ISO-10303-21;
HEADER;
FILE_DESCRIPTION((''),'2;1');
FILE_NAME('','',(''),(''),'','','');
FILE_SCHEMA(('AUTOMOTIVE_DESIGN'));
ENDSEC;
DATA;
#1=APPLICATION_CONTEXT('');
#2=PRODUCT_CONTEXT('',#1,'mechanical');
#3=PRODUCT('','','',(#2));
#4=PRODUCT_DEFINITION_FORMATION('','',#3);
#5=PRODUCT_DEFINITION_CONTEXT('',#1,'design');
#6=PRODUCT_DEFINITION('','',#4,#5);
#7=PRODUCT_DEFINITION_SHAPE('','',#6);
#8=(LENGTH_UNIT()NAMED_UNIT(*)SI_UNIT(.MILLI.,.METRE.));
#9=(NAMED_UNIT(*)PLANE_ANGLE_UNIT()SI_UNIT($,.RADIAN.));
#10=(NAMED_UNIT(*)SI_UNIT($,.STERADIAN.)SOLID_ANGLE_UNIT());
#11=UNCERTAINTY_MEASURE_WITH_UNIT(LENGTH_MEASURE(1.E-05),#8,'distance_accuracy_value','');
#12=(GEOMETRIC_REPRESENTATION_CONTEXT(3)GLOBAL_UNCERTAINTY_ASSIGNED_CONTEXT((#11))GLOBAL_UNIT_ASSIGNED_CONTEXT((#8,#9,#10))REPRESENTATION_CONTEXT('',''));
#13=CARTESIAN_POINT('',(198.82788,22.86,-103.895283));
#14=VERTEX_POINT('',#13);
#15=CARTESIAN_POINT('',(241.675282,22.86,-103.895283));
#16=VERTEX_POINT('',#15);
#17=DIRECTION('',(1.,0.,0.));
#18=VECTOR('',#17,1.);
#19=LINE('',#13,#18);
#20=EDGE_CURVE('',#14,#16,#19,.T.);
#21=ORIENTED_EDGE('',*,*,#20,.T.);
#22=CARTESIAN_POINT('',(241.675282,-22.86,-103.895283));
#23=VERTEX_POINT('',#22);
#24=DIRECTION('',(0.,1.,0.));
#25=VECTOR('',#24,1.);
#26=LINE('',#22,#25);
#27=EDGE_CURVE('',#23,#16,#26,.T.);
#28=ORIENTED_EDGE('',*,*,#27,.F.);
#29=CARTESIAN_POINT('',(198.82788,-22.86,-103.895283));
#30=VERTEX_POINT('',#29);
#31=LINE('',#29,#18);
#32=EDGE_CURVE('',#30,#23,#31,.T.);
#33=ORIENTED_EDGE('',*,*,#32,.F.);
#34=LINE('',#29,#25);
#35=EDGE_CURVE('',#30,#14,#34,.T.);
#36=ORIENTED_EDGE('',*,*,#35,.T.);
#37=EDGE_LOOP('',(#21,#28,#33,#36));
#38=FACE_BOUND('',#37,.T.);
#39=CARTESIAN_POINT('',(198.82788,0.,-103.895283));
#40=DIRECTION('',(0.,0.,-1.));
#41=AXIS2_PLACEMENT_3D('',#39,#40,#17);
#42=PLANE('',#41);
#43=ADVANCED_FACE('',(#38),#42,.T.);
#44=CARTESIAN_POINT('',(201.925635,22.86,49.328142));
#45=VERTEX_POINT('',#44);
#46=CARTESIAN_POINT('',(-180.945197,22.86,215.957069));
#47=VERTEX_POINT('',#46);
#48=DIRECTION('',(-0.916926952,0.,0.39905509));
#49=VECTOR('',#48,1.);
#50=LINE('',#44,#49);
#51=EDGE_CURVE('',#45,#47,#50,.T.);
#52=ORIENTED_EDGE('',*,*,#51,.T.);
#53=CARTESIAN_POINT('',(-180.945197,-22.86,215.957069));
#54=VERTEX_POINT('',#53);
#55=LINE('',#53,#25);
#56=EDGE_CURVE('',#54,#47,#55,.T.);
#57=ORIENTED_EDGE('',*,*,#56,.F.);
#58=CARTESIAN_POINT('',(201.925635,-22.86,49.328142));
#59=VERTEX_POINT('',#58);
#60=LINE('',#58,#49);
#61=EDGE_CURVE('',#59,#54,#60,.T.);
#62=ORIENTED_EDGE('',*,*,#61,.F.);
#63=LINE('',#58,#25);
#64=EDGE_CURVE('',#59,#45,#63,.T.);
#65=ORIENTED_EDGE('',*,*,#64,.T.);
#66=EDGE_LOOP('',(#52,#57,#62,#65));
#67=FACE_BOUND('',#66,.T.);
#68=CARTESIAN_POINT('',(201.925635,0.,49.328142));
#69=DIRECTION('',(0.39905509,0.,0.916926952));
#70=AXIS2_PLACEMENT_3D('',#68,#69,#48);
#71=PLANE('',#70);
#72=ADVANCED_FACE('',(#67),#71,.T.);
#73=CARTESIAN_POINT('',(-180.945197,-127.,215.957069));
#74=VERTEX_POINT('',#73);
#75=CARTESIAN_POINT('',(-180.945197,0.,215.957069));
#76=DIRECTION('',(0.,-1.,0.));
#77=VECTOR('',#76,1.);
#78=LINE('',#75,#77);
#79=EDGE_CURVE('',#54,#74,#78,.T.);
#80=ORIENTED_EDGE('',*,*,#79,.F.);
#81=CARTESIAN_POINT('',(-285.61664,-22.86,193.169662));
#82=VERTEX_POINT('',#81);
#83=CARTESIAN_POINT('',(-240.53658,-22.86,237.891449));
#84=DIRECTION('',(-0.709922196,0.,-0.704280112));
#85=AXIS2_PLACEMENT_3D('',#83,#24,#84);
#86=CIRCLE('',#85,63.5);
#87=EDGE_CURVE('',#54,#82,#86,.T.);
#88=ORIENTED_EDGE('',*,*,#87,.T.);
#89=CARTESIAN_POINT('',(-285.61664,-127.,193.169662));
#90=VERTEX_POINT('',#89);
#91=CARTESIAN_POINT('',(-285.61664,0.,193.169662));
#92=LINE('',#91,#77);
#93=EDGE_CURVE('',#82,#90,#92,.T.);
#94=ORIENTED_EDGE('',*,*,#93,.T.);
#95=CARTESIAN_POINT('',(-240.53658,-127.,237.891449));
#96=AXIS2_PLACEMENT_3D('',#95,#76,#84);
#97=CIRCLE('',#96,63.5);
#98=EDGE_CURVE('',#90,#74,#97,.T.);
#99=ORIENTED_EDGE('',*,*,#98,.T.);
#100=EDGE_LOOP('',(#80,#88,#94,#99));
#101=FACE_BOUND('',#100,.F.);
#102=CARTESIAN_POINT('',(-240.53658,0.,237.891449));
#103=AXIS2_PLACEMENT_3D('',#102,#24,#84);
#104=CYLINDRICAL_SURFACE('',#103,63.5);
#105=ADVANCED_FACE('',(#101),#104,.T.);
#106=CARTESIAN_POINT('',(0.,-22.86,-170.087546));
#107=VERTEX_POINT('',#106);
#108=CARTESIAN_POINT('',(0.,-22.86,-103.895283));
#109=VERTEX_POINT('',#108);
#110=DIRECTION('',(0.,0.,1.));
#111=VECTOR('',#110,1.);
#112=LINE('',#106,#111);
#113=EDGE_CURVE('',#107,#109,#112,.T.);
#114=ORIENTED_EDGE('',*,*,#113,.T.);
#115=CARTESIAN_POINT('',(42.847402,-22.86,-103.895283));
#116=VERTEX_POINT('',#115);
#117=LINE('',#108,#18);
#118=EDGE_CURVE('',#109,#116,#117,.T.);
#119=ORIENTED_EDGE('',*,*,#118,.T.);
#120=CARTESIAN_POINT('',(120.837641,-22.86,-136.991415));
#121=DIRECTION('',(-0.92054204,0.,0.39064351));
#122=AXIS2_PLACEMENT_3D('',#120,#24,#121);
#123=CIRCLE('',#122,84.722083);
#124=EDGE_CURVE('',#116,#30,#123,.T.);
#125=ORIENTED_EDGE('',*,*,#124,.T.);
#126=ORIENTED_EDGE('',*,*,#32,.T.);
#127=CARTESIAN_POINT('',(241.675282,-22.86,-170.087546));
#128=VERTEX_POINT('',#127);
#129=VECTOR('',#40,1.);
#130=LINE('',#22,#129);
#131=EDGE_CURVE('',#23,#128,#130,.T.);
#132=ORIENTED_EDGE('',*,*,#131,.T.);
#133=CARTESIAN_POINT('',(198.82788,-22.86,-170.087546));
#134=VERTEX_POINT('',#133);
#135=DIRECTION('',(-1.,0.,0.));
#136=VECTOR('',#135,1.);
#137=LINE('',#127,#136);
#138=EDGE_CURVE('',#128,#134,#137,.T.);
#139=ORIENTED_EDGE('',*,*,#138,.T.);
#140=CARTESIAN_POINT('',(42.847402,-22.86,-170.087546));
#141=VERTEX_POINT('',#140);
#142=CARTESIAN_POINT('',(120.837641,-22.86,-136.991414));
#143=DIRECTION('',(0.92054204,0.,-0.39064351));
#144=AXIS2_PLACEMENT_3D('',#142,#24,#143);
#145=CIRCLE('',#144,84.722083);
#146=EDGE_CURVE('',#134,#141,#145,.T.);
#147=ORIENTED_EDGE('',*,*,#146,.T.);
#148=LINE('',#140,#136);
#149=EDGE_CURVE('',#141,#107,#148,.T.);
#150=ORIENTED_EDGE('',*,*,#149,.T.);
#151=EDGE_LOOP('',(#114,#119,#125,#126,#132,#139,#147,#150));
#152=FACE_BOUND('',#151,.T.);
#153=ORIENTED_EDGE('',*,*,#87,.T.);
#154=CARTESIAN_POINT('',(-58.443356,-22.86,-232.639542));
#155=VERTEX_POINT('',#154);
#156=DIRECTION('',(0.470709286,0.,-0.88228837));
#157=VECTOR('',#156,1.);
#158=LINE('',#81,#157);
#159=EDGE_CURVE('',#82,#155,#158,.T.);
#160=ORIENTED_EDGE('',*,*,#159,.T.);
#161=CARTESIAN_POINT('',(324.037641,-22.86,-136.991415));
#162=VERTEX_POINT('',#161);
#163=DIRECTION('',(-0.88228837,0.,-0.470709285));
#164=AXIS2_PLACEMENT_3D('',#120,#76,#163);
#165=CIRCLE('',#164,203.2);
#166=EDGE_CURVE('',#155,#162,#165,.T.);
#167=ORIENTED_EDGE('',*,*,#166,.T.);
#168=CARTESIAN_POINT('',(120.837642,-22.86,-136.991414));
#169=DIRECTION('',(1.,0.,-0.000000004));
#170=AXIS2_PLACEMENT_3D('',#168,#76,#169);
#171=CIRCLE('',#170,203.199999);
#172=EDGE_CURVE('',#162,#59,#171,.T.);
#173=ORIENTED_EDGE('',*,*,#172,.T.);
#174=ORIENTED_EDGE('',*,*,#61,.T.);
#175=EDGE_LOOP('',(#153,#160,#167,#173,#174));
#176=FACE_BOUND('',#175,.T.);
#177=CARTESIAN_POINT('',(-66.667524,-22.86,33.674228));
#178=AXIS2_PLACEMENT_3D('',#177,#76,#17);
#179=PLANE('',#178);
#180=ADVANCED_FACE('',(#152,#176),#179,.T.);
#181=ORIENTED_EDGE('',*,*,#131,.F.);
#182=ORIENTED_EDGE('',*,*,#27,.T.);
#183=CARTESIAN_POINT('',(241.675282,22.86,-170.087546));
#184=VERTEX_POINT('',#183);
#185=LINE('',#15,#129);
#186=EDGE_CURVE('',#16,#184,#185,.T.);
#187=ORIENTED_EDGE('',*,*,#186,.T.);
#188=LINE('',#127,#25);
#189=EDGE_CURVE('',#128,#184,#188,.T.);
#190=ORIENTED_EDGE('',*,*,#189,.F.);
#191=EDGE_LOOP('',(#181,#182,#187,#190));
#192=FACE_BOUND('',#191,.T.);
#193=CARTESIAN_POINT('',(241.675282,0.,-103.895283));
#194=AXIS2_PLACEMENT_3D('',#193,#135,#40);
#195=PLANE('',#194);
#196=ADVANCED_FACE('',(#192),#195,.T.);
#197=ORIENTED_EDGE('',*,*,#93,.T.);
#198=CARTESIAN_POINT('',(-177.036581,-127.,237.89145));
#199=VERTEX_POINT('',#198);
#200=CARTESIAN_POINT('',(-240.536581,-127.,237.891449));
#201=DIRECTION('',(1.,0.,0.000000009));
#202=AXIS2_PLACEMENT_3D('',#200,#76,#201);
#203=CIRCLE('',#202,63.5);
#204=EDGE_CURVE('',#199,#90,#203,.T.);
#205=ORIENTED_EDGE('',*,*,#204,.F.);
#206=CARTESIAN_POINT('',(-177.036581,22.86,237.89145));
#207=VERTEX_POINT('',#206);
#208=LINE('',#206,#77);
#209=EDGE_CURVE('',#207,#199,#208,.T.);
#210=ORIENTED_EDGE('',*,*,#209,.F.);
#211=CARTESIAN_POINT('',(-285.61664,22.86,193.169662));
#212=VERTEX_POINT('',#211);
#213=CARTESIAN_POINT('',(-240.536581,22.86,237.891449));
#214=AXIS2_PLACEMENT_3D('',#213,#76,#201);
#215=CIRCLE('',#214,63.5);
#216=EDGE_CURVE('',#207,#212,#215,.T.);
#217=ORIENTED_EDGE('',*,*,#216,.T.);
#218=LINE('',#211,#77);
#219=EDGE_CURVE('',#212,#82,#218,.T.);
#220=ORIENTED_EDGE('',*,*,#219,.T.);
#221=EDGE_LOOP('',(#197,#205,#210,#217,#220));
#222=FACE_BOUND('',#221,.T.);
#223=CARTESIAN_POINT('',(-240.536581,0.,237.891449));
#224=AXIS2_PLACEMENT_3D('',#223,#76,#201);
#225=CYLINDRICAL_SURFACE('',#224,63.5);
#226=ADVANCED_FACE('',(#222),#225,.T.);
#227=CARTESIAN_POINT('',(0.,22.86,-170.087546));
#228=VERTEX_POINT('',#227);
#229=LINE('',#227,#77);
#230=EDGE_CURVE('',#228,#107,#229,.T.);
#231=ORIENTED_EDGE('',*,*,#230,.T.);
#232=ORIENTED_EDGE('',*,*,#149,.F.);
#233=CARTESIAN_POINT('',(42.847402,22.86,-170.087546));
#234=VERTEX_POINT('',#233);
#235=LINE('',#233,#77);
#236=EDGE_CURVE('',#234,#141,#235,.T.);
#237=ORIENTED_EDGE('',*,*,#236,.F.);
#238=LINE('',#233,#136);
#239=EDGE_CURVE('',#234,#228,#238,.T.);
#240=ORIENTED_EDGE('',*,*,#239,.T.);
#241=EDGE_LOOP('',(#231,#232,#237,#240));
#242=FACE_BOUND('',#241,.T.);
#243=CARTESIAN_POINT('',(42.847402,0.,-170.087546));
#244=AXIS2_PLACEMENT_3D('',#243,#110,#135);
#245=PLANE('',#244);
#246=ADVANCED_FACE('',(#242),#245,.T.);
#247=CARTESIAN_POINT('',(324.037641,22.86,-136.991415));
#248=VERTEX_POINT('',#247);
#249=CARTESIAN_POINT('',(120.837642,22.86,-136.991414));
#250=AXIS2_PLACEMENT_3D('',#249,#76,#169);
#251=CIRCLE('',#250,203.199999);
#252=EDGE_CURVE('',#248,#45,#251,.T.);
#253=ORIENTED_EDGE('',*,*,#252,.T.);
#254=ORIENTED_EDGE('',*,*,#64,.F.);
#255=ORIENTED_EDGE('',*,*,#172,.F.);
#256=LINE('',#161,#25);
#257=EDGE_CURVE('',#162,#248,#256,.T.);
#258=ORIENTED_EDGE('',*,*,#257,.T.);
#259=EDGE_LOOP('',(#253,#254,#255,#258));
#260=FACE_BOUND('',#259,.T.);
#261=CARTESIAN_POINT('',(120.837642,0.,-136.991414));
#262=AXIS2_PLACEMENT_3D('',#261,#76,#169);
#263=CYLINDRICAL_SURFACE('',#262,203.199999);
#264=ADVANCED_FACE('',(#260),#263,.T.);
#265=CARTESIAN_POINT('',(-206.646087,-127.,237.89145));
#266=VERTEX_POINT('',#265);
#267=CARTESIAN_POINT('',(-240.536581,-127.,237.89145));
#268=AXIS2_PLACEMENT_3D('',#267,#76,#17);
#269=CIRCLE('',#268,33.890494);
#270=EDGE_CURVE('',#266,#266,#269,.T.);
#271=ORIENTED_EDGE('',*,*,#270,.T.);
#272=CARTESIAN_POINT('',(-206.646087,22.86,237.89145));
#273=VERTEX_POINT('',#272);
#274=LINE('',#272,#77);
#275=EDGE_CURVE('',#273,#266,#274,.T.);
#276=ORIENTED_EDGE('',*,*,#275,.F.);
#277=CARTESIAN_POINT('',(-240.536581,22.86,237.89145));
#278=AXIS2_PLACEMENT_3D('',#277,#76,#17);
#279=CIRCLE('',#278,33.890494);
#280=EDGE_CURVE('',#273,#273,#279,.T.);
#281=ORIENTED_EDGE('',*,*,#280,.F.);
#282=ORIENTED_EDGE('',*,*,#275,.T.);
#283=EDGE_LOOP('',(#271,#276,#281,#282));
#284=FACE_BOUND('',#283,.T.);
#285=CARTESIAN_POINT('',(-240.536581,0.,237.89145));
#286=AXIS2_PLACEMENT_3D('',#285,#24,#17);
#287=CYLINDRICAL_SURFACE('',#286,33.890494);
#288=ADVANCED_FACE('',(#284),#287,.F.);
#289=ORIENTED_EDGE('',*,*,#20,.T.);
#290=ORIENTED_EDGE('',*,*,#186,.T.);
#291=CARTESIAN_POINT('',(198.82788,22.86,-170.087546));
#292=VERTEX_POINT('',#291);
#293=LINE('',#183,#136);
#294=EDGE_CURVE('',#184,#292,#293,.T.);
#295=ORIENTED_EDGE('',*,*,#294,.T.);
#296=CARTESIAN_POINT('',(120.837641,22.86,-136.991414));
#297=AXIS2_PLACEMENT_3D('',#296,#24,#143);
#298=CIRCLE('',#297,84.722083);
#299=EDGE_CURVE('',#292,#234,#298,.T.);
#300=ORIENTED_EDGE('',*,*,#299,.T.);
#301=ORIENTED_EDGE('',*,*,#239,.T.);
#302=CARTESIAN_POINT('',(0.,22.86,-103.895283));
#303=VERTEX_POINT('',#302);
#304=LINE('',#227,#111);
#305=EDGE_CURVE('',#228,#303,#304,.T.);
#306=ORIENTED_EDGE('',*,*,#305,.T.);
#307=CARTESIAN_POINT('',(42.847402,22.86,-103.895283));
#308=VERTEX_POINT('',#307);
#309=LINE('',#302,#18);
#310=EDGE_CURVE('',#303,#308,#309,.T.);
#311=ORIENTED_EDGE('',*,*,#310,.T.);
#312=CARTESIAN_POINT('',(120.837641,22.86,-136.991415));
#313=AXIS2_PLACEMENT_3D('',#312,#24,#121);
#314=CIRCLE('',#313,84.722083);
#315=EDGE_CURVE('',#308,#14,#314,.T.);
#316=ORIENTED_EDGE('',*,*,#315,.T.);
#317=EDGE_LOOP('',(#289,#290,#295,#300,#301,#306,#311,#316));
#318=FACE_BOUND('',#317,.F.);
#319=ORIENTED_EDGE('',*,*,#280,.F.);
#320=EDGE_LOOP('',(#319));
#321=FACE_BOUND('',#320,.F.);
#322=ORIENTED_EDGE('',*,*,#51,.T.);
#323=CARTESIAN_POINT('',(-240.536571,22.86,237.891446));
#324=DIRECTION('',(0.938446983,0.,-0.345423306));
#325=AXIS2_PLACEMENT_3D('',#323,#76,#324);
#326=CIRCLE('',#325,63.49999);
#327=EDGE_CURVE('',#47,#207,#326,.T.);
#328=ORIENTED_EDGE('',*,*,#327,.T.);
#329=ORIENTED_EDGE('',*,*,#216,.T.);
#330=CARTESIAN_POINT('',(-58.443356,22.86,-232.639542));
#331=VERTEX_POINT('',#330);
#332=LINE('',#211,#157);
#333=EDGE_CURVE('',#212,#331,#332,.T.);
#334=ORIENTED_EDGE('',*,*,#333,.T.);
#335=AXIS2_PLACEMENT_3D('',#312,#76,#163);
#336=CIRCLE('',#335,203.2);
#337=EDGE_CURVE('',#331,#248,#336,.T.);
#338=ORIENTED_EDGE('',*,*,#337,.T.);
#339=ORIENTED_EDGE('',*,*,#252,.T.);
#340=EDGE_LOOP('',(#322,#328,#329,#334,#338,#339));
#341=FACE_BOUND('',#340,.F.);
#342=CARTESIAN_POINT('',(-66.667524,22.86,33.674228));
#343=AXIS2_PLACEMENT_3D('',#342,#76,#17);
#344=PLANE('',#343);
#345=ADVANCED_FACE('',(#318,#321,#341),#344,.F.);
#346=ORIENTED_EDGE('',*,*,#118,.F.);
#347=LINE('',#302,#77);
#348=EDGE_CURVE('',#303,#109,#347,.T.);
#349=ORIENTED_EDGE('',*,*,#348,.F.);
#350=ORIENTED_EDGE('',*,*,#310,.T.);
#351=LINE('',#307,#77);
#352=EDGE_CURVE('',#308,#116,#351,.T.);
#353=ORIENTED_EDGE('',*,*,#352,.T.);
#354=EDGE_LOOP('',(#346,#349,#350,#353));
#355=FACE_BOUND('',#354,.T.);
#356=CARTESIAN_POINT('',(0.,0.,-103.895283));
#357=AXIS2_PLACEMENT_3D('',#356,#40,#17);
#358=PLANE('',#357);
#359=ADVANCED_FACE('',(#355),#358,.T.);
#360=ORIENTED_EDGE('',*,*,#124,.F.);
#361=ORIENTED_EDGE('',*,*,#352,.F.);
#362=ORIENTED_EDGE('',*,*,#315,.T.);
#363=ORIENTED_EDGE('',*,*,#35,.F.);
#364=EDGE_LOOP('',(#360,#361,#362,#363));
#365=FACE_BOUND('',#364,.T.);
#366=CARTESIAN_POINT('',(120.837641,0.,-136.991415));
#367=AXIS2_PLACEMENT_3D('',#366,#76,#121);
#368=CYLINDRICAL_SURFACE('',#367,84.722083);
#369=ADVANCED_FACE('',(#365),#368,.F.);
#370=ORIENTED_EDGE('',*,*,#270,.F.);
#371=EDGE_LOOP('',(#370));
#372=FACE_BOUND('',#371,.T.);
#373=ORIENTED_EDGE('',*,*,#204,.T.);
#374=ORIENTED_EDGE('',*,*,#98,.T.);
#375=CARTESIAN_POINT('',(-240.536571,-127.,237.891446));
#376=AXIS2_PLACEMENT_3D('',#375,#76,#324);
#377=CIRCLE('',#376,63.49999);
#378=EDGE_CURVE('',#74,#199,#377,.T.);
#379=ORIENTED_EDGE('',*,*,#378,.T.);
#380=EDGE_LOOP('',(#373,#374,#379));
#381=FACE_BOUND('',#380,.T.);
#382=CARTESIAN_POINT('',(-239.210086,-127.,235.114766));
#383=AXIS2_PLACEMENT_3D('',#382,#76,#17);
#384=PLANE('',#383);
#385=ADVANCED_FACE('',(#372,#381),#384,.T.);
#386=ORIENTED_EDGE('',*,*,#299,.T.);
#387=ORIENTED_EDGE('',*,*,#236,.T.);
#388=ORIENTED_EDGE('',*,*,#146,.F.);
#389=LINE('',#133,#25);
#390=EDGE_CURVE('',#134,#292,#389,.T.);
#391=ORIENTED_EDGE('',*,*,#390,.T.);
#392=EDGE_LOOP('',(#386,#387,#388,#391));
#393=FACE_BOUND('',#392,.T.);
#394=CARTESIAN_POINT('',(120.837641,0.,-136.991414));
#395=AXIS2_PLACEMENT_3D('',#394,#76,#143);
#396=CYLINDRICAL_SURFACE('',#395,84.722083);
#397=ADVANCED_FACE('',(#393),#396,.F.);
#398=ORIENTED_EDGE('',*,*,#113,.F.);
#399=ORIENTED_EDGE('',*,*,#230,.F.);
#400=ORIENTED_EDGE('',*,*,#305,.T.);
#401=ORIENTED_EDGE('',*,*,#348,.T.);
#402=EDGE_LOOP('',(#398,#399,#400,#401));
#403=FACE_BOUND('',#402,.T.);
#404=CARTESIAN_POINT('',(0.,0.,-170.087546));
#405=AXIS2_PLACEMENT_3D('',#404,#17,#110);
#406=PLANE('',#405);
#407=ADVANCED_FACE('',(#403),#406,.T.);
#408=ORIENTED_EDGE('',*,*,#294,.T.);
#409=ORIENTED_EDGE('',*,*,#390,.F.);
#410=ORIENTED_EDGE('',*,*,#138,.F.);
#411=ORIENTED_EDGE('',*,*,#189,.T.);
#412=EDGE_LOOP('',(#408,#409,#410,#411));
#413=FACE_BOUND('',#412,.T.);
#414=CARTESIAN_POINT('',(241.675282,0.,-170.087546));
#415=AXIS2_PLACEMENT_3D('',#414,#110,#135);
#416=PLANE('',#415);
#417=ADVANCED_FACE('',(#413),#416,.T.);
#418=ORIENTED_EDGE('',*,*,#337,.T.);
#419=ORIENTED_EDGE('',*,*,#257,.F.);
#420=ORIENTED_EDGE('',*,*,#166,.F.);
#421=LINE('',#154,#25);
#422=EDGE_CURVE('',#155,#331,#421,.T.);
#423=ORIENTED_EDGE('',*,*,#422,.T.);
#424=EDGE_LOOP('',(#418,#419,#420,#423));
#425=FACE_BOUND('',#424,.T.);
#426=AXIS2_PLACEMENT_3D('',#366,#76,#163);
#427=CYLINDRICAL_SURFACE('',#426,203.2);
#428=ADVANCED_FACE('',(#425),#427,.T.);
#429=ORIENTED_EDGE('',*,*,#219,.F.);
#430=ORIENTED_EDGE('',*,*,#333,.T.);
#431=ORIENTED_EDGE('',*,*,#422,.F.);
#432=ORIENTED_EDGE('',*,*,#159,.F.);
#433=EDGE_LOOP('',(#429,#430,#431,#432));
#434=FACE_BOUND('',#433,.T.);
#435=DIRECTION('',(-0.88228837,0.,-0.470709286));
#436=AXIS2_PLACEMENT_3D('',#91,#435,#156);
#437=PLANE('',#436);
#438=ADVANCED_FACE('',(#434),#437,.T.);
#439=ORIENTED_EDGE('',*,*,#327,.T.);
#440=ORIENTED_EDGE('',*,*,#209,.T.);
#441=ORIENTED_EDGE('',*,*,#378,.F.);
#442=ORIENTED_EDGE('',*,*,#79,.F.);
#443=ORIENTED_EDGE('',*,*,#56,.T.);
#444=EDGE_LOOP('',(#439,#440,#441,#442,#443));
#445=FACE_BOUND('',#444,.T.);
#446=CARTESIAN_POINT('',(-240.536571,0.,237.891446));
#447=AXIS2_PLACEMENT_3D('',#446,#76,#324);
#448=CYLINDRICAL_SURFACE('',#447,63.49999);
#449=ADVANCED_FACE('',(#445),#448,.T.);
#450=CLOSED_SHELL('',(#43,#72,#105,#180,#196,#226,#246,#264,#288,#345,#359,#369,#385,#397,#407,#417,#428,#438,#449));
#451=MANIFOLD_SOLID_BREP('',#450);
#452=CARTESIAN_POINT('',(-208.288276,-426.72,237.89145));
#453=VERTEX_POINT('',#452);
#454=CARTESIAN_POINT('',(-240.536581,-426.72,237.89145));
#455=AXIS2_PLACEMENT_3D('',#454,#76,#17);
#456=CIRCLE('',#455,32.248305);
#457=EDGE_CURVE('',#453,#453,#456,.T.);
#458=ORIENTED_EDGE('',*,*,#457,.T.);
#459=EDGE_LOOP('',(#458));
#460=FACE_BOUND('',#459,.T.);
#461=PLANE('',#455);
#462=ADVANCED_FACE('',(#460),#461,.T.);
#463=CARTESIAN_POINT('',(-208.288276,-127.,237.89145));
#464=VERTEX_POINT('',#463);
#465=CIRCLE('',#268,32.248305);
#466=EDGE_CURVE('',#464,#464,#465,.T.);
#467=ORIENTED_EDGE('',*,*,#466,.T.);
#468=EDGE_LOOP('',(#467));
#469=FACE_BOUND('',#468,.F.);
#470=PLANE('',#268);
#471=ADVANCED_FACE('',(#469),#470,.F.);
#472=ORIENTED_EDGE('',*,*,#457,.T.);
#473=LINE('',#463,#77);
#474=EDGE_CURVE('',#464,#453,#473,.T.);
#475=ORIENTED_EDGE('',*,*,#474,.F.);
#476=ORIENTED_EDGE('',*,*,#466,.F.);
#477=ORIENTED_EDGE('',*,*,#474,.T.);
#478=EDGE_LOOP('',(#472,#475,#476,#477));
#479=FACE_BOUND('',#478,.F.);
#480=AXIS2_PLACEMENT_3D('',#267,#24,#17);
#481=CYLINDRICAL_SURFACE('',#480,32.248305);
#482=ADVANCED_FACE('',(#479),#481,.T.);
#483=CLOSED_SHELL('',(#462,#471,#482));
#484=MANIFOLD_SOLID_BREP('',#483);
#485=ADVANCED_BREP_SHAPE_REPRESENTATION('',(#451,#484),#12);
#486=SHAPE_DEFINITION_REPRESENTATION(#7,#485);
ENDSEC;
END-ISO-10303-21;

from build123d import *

# Parameters (mm, degrees)
F0_R     = 33.890494
F1_DEPTH = 22.86
F2_DEPTH = 127
F3_R     = 32.248305
F4_DEPTH = 299.72


with BuildPart() as f1:
    # F0 (on Front) → F1 (new body, symmetric)
    with BuildSketch(Plane.XZ):
        with BuildLine():
            ThreePointArc((-180.945197, 215.957069), (-227.028764, 175.844782), (-285.61664, 193.169662))
            Line((-285.61664, 193.169662), (-58.443356, -232.639542))
            ThreePointArc((-58.443356, -232.639542), (-28.450369, 0.861151), (201.925635, 49.328142))
            Line((201.925635, 49.328142), (-180.945197, 215.957069))
        make_face()
        with BuildLine():
            ThreePointArc((201.925635, 49.328142), (-28.450369, 0.861151), (-58.443356, -232.639542))
            ThreePointArc((-58.443356, -232.639542), (170.134403, -334.12099), (324.037641, -136.991415))
            ThreePointArc((324.037641, -136.991415), (290.789576, -25.606587), (201.925635, 49.328142))
        make_face()
        with BuildLine():
            Line((42.847402, -170.087546), (0, -170.087546))
            Line((0, -170.087546), (0, -103.895283))
            Line((0, -103.895283), (42.847402, -103.895283))
            ThreePointArc((42.847402, -103.895283), (120.837641, -52.269332), (198.82788, -103.895283))
            Line((198.82788, -103.895283), (241.675282, -103.895283))
            Line((241.675282, -103.895283), (241.675282, -170.087546))
            Line((241.675282, -170.087546), (198.82788, -170.087546))
            ThreePointArc((198.82788, -170.087546), (120.837641, -221.713497), (42.847402, -170.087546))
        make_face(mode=Mode.SUBTRACT)
        with BuildLine():
            ThreePointArc((-180.945197, 215.957069), (-178.021371, 226.751495), (-177.036581, 237.89145))
            ThreePointArc((-177.036581, 237.89145), (-264.719904, 296.606157), (-285.61664, 193.169662))
            ThreePointArc((-285.61664, 193.169662), (-227.028764, 175.844782), (-180.945197, 215.957069))
        make_face()
        with Locations((-240.536581, 237.89145)):
            Circle(F0_R, mode=Mode.SUBTRACT)
    extrude(amount=F1_DEPTH, both=True)

    # F0 (on Front) → F2 (join)
    with BuildSketch(Plane.XZ):
        with BuildLine():
            ThreePointArc((-180.945197, 215.957069), (-178.021371, 226.751495), (-177.036581, 237.89145))
            ThreePointArc((-177.036581, 237.89145), (-264.719904, 296.606157), (-285.61664, 193.169662))
            ThreePointArc((-285.61664, 193.169662), (-227.028764, 175.844782), (-180.945197, 215.957069))
        make_face()
        with Locations((-240.536581, 237.89145)):
            Circle(F0_R, mode=Mode.SUBTRACT)
    extrude(amount=F2_DEPTH)


with BuildPart() as f4:
    # F3 (on face) → F4 (new body)
    with BuildSketch(Plane.XZ.offset(127)):
        with Locations((-240.536581, 237.89145)):
            Circle(F3_R)
    extrude(amount=F4_DEPTH)


solid = Compound([f1.part, f4.part])
